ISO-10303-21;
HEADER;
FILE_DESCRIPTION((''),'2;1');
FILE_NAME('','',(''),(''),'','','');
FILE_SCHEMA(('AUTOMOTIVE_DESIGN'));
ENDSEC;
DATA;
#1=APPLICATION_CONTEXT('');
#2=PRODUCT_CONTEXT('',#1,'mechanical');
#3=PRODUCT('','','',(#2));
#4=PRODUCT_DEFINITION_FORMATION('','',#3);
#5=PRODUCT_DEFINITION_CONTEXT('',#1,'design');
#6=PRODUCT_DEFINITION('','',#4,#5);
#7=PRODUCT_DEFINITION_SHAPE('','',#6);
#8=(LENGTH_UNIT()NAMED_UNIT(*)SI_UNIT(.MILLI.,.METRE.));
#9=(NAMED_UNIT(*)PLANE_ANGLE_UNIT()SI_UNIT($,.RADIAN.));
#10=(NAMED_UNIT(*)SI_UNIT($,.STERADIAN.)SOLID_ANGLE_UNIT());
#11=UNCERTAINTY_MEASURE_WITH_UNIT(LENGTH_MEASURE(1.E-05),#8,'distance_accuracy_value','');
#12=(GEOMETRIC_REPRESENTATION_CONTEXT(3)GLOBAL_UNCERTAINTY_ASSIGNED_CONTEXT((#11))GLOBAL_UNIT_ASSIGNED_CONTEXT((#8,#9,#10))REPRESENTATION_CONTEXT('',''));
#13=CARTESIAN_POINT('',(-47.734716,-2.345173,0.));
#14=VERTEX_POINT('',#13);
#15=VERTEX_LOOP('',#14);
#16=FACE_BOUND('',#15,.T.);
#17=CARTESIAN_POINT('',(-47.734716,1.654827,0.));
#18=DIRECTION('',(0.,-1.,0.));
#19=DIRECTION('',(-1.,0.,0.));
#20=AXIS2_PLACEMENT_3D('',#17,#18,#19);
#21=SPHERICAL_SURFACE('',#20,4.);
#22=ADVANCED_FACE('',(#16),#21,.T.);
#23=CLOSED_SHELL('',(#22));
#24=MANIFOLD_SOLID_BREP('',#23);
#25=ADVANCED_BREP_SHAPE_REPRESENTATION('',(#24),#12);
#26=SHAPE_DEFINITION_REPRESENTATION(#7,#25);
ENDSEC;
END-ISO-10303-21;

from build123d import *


with BuildPart() as f1:
    # F0 (on Top) → F1 (revolve)
    with BuildSketch(Plane.XY):
        with BuildLine():
            Line((-47.734716, 1.654827), (-47.734716, 5.654827))
            ThreePointArc((-47.734716, 5.654827), (-51.734716, 1.654827), (-47.734716, -2.345173))
            Line((-47.734716, -2.345173), (-47.734716, 1.654827))
        make_face()
    revolve(axis=Axis((-47.734716, 3.654827, 0), (0, -1, 0)))


solid = f1.part
